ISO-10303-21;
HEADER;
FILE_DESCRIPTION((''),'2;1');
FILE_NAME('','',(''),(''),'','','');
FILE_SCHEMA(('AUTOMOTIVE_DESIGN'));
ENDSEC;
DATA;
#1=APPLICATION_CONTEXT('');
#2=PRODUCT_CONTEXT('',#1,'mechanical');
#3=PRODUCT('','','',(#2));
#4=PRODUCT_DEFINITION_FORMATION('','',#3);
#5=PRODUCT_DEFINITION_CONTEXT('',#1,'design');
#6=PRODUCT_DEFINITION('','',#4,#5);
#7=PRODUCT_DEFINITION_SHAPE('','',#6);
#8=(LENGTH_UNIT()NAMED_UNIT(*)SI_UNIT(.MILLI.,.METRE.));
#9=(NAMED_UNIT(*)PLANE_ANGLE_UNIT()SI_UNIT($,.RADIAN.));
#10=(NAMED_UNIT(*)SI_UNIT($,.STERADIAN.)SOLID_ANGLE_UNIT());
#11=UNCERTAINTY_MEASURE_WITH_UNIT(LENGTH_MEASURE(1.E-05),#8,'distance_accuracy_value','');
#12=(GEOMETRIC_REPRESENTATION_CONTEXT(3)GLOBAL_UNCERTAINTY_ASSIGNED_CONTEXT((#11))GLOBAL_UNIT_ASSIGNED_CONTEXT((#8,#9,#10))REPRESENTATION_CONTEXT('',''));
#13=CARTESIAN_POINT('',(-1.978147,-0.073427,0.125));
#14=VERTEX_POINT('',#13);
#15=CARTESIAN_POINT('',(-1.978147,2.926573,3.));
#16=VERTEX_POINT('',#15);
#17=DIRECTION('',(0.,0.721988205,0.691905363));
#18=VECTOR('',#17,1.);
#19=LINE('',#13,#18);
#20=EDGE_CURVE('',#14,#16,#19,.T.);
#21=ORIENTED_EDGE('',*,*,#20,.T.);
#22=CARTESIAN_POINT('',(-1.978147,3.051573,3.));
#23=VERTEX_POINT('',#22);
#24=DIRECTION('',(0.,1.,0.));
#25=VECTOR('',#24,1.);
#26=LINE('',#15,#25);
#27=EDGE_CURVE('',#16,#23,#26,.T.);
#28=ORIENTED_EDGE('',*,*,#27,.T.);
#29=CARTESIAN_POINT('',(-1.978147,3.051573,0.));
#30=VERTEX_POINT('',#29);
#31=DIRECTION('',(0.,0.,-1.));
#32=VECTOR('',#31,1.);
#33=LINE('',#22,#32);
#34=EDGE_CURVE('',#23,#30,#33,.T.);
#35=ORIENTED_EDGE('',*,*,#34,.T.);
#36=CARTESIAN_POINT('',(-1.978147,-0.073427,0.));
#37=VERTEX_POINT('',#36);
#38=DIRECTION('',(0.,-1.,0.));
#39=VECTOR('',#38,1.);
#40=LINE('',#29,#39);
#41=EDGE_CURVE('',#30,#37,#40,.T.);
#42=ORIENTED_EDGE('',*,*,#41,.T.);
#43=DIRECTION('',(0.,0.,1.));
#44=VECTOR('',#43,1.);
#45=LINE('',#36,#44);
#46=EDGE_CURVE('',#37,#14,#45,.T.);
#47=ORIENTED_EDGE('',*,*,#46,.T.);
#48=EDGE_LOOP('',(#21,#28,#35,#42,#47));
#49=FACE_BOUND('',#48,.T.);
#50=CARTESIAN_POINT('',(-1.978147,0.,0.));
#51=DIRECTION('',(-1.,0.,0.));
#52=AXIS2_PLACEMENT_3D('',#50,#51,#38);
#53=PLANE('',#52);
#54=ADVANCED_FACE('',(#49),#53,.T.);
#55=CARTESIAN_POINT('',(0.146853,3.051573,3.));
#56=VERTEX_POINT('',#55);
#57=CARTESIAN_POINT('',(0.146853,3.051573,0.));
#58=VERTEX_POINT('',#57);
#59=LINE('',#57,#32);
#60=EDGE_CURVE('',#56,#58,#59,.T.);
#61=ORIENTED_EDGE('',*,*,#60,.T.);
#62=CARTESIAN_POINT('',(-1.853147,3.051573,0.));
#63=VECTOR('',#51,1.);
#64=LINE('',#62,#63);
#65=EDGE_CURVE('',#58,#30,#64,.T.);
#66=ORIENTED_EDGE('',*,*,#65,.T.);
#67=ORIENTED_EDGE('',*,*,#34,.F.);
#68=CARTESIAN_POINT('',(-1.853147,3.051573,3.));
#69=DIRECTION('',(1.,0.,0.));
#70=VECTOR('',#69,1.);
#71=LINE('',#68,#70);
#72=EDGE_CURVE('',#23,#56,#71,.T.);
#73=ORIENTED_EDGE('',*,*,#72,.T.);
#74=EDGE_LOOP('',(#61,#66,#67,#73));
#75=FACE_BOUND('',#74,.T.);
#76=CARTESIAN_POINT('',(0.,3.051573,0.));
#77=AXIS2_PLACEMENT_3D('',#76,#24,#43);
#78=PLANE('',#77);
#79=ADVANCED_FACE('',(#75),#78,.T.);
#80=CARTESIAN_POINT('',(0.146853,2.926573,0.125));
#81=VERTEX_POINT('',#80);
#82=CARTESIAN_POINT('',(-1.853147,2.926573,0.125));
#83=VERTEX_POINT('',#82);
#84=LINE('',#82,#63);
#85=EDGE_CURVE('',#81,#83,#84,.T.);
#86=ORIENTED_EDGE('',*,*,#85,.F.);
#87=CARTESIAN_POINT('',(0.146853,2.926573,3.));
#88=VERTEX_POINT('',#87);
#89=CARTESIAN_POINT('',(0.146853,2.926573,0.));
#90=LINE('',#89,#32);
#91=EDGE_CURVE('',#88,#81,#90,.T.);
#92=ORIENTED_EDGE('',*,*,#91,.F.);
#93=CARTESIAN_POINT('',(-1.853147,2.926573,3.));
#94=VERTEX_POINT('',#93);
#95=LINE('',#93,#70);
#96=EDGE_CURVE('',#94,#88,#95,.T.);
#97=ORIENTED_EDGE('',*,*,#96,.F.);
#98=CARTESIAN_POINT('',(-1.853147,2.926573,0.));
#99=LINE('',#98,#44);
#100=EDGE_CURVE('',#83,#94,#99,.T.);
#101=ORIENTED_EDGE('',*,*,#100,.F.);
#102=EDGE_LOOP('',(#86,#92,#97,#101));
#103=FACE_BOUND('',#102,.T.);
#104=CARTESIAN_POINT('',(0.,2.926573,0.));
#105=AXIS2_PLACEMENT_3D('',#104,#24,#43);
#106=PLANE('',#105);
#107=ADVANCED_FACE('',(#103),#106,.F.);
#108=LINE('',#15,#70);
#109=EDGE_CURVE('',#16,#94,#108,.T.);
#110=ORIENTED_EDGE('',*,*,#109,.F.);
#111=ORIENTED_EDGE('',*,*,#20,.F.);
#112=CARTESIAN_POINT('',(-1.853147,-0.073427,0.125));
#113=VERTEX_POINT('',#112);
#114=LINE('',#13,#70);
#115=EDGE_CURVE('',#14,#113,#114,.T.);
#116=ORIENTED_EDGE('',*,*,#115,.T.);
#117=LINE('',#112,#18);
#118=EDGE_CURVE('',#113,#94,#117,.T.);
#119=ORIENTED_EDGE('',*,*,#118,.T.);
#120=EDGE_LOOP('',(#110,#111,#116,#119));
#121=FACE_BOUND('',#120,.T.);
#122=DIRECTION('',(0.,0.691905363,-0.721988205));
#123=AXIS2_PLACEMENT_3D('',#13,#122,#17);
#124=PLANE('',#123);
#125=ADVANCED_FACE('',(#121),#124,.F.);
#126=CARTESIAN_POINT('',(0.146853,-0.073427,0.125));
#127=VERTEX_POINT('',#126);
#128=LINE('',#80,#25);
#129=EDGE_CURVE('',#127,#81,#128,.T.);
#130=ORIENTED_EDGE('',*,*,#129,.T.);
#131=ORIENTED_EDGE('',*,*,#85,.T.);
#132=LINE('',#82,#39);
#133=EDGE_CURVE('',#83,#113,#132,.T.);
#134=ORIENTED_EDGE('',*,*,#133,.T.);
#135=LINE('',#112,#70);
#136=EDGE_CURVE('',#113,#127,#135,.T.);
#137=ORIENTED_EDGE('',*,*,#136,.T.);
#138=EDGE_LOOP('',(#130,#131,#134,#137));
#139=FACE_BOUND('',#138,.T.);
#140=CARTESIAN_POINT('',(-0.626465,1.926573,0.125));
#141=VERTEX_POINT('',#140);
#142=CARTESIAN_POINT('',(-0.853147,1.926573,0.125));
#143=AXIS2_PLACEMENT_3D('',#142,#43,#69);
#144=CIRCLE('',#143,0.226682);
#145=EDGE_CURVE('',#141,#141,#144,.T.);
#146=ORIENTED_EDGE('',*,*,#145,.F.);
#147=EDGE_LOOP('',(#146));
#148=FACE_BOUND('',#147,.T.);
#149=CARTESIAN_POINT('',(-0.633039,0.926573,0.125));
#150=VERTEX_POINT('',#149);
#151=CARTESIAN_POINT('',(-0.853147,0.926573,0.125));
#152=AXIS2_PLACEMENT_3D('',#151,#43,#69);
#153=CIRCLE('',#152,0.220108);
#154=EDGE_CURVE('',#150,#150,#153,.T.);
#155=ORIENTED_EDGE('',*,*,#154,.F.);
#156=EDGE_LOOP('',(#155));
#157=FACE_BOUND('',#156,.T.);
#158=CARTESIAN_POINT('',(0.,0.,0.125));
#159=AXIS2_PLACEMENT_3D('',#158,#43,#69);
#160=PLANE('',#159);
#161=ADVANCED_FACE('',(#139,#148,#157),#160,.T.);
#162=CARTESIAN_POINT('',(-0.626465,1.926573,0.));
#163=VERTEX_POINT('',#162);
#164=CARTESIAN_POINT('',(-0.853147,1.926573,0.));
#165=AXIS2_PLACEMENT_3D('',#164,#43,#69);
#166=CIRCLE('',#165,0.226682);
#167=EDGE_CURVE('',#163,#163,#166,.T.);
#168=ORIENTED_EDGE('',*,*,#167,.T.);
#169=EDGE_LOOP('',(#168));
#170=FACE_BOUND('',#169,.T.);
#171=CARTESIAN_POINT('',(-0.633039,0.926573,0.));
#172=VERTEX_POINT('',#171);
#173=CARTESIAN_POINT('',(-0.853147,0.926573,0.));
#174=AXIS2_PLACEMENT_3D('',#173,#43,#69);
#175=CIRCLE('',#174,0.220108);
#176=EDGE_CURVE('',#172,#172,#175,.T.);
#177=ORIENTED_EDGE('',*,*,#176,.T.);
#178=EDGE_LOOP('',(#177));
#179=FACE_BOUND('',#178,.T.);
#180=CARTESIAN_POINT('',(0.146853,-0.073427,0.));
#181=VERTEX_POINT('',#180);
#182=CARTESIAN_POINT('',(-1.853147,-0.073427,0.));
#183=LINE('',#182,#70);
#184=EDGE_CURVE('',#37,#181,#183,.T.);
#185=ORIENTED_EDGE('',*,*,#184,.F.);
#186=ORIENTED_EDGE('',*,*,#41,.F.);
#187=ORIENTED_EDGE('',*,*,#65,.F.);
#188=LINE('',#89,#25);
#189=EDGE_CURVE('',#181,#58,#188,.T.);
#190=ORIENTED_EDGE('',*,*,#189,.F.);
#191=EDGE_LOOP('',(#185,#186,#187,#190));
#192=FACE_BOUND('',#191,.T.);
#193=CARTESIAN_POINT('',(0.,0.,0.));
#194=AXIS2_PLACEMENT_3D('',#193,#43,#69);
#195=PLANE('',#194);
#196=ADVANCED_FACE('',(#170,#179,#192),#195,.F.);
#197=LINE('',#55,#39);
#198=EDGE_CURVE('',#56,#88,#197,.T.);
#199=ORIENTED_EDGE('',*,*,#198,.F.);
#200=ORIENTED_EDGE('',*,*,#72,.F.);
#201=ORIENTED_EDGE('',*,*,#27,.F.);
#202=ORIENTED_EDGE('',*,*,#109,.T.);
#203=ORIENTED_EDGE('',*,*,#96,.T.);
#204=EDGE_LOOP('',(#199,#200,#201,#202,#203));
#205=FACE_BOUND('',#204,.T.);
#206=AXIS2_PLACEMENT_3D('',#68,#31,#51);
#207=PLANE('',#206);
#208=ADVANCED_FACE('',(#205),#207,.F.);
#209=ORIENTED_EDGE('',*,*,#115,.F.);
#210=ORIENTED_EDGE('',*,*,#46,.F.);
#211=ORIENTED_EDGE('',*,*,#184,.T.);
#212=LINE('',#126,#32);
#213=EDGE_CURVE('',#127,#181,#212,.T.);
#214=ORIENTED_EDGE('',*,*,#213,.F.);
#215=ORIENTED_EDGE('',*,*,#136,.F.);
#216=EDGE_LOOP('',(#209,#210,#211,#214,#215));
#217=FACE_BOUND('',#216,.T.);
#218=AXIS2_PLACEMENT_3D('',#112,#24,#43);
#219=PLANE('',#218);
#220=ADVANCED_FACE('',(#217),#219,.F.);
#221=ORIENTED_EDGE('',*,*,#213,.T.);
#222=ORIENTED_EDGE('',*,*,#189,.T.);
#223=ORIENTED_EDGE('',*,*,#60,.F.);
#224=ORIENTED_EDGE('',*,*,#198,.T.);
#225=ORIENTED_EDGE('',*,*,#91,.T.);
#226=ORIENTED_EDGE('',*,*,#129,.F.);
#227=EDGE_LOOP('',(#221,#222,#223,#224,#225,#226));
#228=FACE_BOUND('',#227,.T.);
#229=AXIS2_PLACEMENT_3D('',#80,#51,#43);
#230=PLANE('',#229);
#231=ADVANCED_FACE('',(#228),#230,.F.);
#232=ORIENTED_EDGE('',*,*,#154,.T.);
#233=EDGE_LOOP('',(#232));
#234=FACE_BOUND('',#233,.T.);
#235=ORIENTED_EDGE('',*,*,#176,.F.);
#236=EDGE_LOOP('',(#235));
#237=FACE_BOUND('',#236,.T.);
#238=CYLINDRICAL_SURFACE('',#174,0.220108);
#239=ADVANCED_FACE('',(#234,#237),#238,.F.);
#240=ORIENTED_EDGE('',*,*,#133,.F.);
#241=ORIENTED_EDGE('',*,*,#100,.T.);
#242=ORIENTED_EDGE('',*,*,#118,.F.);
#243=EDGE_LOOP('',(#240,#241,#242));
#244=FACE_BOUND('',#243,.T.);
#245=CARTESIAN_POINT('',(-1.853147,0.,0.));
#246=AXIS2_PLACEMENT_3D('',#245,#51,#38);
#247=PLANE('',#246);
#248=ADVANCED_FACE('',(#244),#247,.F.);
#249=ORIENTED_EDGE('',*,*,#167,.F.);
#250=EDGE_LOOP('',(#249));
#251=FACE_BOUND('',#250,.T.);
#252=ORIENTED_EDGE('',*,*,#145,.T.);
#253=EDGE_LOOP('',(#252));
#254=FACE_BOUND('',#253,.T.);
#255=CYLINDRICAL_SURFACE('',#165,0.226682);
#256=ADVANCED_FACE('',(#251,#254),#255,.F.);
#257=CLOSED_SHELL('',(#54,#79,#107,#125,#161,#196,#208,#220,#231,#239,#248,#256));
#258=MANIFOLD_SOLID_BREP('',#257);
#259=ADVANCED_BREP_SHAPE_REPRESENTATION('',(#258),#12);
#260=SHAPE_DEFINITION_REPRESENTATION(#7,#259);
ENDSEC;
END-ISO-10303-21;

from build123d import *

# Parameters (mm, degrees)
SKETCH_1_W          = 2
SKETCH_1_H          = 3
EXTRUDE_1_DEPTH     = 0.125
SKETCH_2_W          = 2
SKETCH_2_H          = 3
EXTRUDE_2_DEPTH     = 0.125
EXTRUDE_3_DEPTH     = 0.125
SKETCH_4_R          = 0.22010833
SKETCH_4_R_2        = 0.226682005
CUT_EXTRUDE_1_DEPTH = 5.635816039


with BuildPart() as part:
    # 草图1 → 凸台-拉伸1 (new body)
    with BuildSketch(Plane.XY):
        with Locations((-0.853146853, 1.426573427)):
            Rectangle(SKETCH_1_W, SKETCH_1_H)
    extrude(amount=EXTRUDE_1_DEPTH)

    # 草图2 → 凸台-拉伸2 (add)
    with BuildSketch(Plane(origin=(0, 2.926573427, 0), x_dir=(1, 0, 0), z_dir=(0, 1, 0))):
        with Locations((-0.853146853, -1.5)):
            Rectangle(SKETCH_2_W, SKETCH_2_H)
    extrude(amount=EXTRUDE_2_DEPTH)

    # 草图3 → 凸台-拉伸3 (add)
    with BuildSketch(Plane.ZY.offset(1.853146853)):
        Polygon((0, 3.051573427), (0, -0.073426573), (0.125, -0.073426573), (3, 2.926573427), (3, 3.051573427), align=None)
    extrude(amount=EXTRUDE_3_DEPTH)

    # 草图4 → 切除-拉伸1 (cut, through all)
    with BuildSketch(Plane.XY.offset(0.125)):
        with Locations((-0.853146853, 0.926573427)):
            Circle(SKETCH_4_R)
        with Locations((-0.853146853, 1.926573427)):
            Circle(SKETCH_4_R_2)
    extrude(amount=-CUT_EXTRUDE_1_DEPTH, mode=Mode.SUBTRACT)


solid = part.part
